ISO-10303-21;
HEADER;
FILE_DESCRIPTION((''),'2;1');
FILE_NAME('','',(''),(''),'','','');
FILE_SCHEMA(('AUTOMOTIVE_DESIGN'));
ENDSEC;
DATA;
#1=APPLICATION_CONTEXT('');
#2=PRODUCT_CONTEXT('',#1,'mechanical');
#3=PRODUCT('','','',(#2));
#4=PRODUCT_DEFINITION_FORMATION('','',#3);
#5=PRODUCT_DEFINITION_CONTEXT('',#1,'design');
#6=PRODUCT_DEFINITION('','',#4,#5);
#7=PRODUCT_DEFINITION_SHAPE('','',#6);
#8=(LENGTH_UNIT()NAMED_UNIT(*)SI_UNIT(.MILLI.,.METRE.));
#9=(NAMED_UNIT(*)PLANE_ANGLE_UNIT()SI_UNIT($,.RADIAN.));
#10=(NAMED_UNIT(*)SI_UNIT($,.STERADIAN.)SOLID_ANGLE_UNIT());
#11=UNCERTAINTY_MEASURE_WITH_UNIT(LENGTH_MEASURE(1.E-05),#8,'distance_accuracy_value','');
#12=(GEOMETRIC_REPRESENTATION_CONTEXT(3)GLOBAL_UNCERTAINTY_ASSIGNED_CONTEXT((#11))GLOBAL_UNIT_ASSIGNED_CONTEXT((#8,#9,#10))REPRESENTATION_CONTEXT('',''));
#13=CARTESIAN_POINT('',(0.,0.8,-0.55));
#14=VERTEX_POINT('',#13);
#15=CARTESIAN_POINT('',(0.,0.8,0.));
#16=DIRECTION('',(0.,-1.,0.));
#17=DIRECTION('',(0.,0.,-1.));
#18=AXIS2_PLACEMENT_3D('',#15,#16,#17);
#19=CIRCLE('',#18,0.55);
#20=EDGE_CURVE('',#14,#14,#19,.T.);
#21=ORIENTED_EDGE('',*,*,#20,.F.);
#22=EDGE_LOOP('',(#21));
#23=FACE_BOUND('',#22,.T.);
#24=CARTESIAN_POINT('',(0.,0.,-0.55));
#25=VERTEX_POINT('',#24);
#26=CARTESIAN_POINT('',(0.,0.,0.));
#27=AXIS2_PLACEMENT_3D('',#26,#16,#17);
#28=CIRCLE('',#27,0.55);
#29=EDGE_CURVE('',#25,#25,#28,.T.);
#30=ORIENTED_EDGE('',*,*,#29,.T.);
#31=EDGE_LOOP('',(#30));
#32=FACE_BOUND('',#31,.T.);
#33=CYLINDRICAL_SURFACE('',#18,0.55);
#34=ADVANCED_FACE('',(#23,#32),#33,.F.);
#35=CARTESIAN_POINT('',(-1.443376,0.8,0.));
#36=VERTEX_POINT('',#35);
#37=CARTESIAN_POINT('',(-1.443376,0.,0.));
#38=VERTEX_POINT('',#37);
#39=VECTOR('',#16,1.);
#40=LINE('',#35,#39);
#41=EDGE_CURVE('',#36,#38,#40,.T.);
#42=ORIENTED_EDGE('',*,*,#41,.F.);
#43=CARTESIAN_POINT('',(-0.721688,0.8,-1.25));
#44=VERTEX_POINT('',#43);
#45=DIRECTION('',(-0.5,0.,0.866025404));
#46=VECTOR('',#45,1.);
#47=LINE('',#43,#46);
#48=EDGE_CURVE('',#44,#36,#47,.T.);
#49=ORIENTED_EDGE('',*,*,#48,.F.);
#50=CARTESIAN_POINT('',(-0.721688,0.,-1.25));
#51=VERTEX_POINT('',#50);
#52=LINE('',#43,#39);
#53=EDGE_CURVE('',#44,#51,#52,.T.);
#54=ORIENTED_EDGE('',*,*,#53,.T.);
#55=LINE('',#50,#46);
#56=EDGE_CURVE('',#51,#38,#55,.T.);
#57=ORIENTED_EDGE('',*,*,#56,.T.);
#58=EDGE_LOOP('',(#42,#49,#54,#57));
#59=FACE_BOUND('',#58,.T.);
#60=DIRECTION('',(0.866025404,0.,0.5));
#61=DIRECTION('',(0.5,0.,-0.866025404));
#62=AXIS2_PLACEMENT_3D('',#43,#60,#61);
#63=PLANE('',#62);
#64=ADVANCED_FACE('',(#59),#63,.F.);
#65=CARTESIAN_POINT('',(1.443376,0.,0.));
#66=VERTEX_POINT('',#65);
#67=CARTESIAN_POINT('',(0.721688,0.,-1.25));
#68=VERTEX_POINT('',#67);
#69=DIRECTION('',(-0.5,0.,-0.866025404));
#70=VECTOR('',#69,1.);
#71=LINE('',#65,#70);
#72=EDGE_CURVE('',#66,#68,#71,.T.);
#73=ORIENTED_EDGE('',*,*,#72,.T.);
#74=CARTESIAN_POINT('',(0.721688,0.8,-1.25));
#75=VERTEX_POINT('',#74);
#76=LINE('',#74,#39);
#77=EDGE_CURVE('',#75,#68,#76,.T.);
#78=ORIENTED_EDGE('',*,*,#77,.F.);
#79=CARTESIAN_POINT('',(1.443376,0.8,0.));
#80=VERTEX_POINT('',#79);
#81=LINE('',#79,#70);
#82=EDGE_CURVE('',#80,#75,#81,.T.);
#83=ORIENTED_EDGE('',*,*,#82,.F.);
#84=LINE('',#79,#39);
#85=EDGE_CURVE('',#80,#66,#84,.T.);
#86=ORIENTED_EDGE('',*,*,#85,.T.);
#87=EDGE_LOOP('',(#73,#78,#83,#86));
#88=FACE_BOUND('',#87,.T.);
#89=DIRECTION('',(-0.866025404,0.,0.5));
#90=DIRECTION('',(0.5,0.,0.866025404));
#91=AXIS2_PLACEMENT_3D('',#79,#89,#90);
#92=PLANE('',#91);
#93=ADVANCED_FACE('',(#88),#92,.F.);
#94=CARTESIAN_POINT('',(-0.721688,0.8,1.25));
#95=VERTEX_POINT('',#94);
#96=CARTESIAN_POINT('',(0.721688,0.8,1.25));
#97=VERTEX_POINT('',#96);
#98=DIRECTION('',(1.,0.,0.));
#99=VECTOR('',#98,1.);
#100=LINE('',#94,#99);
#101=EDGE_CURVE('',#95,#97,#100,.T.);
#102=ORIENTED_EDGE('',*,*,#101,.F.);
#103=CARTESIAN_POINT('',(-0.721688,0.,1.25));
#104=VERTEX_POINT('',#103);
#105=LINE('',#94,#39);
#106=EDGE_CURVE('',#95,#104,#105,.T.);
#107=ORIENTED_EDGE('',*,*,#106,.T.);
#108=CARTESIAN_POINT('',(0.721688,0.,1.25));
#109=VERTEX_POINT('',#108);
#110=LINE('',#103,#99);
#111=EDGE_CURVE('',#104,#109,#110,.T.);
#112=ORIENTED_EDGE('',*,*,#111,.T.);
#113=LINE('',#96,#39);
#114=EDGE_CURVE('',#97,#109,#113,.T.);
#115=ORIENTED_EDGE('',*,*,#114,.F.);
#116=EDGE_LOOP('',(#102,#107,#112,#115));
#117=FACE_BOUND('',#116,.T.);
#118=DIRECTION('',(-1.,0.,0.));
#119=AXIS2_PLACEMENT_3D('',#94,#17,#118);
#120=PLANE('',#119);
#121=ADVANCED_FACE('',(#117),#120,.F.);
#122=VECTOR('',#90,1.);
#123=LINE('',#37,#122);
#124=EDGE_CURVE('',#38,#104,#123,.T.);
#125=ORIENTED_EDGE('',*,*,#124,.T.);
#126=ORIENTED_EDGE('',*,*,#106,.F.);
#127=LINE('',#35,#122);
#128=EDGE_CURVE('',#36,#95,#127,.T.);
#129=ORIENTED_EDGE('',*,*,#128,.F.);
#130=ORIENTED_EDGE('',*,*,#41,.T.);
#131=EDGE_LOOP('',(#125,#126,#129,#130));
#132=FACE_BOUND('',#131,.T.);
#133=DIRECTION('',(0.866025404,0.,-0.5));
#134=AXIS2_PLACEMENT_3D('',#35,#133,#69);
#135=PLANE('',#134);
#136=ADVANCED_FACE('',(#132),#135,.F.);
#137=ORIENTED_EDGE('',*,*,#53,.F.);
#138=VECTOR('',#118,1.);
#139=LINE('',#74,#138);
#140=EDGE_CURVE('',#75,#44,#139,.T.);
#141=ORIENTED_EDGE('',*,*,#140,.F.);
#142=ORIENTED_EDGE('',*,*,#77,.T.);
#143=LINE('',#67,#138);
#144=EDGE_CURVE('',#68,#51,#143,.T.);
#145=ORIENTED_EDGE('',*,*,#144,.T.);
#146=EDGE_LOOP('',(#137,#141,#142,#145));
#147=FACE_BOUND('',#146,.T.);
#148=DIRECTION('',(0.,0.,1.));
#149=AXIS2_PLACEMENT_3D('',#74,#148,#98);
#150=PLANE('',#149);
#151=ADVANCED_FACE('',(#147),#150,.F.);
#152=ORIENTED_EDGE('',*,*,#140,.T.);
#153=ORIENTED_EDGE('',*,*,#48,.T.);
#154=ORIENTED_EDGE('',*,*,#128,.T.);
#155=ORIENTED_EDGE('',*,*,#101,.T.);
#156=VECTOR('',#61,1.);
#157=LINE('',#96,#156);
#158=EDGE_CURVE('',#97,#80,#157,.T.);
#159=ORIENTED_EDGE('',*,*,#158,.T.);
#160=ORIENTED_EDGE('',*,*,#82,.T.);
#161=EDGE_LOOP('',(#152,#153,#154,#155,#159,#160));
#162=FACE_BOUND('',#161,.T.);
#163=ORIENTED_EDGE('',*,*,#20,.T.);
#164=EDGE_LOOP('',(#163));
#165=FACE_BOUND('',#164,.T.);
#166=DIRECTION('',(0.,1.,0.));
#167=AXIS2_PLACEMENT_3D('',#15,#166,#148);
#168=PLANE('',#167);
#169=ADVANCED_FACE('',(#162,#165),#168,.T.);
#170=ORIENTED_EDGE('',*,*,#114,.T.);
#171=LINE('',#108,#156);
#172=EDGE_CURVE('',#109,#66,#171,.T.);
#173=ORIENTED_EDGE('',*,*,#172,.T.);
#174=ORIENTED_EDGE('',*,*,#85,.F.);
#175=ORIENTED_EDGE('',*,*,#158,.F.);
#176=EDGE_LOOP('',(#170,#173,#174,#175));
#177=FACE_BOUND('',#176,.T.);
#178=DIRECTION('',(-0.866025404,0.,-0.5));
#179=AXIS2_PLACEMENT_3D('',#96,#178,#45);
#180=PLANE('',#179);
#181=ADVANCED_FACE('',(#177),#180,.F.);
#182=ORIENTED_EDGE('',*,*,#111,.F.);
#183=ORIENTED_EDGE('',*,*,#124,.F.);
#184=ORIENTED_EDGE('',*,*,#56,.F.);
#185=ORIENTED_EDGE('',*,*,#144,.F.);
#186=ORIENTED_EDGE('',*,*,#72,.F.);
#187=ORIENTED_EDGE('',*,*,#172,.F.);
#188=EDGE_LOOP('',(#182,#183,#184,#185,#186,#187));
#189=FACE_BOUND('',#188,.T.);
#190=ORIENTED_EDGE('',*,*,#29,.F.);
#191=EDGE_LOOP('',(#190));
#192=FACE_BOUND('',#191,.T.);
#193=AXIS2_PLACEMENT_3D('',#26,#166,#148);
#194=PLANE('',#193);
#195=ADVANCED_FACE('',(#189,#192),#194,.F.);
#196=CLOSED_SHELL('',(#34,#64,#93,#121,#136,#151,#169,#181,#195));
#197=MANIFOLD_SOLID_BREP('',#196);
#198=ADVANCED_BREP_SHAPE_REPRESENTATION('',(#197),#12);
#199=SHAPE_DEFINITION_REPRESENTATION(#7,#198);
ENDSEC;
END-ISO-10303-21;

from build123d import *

# Parameters (mm, degrees)
BOSS_EXTRUDE1_DEPTH = 0.8
SKETCH2_R           = 0.55
CUT_EXTRUDE1_DEPTH  = 1.8


with BuildPart() as part:
    # Sketch1 → Boss-Extrude1 (new body)
    with BuildSketch(Plane(origin=(0, 0, 0), x_dir=(1, 0, 0), z_dir=(0, 1, 0))):
        Polygon((-0.721687934, 1.250000168), (-1.443375867, 0), (-0.721687934, -1.250000168), (0.721687934, -1.250000168), (1.443375867, 0), (0.721687934, 1.250000168), align=None)
    extrude(amount=BOSS_EXTRUDE1_DEPTH)

    # Sketch2 → Cut-Extrude1 (cut, through all)
    with BuildSketch(Plane.XZ):
        Circle(SKETCH2_R)
    extrude(amount=-CUT_EXTRUDE1_DEPTH, mode=Mode.SUBTRACT)


solid = part.part
